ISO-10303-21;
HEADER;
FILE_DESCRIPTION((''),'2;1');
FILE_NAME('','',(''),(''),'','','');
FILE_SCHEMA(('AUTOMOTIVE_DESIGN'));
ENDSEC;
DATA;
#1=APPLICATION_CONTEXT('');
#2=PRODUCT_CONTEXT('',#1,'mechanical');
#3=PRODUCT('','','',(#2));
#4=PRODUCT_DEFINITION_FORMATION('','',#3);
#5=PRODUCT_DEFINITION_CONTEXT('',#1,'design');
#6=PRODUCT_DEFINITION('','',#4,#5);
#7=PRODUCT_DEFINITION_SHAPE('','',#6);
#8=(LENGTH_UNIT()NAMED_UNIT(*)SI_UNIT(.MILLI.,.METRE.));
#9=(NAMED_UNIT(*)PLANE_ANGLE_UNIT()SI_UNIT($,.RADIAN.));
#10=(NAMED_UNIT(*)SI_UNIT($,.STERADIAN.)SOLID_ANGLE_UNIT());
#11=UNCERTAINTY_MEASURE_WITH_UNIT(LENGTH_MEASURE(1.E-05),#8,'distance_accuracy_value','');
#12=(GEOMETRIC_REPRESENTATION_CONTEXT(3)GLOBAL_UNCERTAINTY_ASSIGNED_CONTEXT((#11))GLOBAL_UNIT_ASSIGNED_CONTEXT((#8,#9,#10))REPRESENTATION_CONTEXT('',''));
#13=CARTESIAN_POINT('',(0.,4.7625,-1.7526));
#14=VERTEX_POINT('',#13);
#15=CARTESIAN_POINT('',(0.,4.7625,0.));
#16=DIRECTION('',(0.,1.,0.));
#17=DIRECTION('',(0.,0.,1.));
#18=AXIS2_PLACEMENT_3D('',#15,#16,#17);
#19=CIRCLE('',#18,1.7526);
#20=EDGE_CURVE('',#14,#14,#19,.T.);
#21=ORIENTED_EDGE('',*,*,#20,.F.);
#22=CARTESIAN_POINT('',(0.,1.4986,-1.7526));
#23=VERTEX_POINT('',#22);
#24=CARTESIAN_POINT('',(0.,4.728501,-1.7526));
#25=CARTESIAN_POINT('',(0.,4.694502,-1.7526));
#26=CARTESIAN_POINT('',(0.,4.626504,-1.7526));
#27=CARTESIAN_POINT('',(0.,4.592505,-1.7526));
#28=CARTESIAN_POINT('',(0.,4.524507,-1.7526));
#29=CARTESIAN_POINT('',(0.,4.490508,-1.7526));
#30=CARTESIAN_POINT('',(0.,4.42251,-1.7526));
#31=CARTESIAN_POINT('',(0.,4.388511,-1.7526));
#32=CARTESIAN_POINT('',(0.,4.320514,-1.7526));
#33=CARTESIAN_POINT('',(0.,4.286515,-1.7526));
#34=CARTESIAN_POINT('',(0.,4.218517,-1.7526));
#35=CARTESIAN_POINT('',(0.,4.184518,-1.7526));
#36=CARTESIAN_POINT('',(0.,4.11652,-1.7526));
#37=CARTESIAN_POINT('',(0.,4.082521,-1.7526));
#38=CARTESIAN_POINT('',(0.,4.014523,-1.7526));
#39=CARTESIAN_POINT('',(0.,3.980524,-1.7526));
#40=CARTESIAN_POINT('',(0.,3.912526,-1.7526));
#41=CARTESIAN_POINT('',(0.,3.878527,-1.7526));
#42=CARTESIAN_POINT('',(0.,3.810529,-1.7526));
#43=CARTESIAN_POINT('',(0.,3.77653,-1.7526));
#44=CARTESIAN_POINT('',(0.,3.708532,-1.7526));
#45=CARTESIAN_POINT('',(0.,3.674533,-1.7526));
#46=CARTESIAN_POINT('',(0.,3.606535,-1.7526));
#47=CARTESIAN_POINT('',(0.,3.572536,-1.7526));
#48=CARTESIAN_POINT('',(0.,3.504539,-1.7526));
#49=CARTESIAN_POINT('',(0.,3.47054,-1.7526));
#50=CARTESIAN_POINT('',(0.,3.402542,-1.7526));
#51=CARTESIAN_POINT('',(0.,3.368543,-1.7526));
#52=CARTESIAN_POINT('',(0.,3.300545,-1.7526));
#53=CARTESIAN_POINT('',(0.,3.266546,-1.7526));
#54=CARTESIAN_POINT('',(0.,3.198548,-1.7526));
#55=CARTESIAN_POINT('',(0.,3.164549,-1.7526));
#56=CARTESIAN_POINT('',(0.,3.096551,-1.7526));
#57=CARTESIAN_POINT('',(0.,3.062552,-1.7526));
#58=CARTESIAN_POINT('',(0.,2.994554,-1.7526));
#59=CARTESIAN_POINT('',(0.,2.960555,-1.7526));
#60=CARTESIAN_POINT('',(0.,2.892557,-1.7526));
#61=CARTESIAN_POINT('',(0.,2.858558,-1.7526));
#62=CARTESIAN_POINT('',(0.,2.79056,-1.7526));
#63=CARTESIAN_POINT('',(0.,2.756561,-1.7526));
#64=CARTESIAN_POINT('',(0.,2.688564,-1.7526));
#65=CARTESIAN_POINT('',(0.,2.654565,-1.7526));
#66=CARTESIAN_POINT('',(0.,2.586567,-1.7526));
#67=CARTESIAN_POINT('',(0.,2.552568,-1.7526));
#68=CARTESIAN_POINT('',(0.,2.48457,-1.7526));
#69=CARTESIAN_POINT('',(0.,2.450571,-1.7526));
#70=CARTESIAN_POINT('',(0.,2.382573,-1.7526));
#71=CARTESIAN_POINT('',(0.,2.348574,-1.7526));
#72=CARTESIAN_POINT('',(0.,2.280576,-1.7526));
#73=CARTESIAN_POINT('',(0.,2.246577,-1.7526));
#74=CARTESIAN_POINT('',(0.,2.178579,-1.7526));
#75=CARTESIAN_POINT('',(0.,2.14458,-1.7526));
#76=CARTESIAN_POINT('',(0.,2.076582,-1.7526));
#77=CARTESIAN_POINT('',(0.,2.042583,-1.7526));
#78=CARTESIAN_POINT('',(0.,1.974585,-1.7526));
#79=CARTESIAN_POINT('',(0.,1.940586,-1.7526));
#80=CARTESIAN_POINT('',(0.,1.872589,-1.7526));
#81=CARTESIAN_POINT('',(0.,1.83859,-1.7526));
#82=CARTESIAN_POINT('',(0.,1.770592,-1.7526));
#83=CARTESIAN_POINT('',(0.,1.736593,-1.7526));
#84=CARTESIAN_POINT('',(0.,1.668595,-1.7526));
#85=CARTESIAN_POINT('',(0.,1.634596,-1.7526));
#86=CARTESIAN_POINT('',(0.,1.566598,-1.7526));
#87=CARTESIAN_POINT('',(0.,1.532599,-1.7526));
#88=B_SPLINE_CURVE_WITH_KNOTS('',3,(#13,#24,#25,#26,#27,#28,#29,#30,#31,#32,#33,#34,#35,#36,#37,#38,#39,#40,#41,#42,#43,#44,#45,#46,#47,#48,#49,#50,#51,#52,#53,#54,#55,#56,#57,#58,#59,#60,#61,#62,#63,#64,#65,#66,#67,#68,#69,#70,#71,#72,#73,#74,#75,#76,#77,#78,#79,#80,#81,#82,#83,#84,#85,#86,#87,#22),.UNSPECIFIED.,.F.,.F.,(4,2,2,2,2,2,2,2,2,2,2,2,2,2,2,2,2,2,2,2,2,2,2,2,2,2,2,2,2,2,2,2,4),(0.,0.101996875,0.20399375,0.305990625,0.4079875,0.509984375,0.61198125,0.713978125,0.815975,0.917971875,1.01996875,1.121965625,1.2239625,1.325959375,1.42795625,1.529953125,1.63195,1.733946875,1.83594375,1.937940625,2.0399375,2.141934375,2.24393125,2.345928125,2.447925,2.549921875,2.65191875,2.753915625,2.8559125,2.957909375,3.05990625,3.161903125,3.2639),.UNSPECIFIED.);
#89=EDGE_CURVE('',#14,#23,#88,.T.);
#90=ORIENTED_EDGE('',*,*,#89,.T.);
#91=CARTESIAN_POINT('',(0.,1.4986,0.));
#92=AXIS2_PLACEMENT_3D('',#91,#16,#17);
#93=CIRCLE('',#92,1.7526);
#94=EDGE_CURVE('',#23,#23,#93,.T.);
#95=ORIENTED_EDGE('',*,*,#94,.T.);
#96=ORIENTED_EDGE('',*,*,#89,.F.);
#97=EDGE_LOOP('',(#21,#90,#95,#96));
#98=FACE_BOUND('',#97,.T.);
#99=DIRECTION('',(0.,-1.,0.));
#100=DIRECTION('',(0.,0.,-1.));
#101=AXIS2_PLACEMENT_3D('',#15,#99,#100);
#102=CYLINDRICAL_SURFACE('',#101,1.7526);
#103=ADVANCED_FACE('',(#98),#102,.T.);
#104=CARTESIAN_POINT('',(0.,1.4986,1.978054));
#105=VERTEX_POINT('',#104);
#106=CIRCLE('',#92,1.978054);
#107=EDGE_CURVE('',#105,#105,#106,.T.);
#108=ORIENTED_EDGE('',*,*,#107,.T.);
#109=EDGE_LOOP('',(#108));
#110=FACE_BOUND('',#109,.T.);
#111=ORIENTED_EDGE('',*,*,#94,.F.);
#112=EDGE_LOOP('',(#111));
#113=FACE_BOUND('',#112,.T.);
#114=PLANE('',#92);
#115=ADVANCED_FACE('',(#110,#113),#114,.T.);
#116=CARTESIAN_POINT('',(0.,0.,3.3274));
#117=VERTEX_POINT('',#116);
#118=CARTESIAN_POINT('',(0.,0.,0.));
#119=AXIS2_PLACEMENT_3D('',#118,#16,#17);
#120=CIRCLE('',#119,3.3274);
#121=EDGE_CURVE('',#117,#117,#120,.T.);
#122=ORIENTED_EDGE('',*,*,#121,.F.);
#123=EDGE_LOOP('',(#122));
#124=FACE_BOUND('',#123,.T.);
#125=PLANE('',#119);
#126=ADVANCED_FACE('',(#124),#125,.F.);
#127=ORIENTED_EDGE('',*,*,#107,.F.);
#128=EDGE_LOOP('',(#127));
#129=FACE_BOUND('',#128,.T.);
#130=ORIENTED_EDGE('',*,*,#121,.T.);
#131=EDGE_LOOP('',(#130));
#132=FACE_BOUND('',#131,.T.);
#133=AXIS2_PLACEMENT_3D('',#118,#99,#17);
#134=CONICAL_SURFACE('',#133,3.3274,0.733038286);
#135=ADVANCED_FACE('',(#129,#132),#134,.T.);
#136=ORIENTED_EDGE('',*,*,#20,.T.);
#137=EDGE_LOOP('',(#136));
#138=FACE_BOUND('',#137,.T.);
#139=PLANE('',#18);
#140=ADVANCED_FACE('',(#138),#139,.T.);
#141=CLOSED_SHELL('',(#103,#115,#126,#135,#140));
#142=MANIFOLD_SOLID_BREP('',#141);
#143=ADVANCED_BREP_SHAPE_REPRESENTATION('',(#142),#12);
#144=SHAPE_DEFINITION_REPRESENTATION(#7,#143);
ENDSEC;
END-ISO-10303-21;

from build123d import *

# Parameters (mm, degrees)
SKETCH2_R           = 3.3274
BOSS_EXTRUDE1_DEPTH = 1.4986
BOSS_EXTRUDE1_TAPER = 42
SKETCH3_R           = 1.7526
BOSS_EXTRUDE2_DEPTH = 3.2639


with BuildPart() as part:
    # Sketch2 → Boss-Extrude1 (new body)
    with BuildSketch(Plane(origin=(0, 0, 0), x_dir=(1, 0, 0), z_dir=(0, 1, 0))):
        Circle(SKETCH2_R)
    extrude(amount=BOSS_EXTRUDE1_DEPTH, taper=BOSS_EXTRUDE1_TAPER)

    # Sketch3 → Boss-Extrude2 (add)
    with BuildSketch(Plane(origin=(0, 1.4986, 0), x_dir=(1, 0, 0), z_dir=(0, 1, 0))):
        with Locations(Location((0, 0, 0), (0, 0, 90))):
            Circle(SKETCH3_R)
    extrude(amount=BOSS_EXTRUDE2_DEPTH)


solid = part.part
